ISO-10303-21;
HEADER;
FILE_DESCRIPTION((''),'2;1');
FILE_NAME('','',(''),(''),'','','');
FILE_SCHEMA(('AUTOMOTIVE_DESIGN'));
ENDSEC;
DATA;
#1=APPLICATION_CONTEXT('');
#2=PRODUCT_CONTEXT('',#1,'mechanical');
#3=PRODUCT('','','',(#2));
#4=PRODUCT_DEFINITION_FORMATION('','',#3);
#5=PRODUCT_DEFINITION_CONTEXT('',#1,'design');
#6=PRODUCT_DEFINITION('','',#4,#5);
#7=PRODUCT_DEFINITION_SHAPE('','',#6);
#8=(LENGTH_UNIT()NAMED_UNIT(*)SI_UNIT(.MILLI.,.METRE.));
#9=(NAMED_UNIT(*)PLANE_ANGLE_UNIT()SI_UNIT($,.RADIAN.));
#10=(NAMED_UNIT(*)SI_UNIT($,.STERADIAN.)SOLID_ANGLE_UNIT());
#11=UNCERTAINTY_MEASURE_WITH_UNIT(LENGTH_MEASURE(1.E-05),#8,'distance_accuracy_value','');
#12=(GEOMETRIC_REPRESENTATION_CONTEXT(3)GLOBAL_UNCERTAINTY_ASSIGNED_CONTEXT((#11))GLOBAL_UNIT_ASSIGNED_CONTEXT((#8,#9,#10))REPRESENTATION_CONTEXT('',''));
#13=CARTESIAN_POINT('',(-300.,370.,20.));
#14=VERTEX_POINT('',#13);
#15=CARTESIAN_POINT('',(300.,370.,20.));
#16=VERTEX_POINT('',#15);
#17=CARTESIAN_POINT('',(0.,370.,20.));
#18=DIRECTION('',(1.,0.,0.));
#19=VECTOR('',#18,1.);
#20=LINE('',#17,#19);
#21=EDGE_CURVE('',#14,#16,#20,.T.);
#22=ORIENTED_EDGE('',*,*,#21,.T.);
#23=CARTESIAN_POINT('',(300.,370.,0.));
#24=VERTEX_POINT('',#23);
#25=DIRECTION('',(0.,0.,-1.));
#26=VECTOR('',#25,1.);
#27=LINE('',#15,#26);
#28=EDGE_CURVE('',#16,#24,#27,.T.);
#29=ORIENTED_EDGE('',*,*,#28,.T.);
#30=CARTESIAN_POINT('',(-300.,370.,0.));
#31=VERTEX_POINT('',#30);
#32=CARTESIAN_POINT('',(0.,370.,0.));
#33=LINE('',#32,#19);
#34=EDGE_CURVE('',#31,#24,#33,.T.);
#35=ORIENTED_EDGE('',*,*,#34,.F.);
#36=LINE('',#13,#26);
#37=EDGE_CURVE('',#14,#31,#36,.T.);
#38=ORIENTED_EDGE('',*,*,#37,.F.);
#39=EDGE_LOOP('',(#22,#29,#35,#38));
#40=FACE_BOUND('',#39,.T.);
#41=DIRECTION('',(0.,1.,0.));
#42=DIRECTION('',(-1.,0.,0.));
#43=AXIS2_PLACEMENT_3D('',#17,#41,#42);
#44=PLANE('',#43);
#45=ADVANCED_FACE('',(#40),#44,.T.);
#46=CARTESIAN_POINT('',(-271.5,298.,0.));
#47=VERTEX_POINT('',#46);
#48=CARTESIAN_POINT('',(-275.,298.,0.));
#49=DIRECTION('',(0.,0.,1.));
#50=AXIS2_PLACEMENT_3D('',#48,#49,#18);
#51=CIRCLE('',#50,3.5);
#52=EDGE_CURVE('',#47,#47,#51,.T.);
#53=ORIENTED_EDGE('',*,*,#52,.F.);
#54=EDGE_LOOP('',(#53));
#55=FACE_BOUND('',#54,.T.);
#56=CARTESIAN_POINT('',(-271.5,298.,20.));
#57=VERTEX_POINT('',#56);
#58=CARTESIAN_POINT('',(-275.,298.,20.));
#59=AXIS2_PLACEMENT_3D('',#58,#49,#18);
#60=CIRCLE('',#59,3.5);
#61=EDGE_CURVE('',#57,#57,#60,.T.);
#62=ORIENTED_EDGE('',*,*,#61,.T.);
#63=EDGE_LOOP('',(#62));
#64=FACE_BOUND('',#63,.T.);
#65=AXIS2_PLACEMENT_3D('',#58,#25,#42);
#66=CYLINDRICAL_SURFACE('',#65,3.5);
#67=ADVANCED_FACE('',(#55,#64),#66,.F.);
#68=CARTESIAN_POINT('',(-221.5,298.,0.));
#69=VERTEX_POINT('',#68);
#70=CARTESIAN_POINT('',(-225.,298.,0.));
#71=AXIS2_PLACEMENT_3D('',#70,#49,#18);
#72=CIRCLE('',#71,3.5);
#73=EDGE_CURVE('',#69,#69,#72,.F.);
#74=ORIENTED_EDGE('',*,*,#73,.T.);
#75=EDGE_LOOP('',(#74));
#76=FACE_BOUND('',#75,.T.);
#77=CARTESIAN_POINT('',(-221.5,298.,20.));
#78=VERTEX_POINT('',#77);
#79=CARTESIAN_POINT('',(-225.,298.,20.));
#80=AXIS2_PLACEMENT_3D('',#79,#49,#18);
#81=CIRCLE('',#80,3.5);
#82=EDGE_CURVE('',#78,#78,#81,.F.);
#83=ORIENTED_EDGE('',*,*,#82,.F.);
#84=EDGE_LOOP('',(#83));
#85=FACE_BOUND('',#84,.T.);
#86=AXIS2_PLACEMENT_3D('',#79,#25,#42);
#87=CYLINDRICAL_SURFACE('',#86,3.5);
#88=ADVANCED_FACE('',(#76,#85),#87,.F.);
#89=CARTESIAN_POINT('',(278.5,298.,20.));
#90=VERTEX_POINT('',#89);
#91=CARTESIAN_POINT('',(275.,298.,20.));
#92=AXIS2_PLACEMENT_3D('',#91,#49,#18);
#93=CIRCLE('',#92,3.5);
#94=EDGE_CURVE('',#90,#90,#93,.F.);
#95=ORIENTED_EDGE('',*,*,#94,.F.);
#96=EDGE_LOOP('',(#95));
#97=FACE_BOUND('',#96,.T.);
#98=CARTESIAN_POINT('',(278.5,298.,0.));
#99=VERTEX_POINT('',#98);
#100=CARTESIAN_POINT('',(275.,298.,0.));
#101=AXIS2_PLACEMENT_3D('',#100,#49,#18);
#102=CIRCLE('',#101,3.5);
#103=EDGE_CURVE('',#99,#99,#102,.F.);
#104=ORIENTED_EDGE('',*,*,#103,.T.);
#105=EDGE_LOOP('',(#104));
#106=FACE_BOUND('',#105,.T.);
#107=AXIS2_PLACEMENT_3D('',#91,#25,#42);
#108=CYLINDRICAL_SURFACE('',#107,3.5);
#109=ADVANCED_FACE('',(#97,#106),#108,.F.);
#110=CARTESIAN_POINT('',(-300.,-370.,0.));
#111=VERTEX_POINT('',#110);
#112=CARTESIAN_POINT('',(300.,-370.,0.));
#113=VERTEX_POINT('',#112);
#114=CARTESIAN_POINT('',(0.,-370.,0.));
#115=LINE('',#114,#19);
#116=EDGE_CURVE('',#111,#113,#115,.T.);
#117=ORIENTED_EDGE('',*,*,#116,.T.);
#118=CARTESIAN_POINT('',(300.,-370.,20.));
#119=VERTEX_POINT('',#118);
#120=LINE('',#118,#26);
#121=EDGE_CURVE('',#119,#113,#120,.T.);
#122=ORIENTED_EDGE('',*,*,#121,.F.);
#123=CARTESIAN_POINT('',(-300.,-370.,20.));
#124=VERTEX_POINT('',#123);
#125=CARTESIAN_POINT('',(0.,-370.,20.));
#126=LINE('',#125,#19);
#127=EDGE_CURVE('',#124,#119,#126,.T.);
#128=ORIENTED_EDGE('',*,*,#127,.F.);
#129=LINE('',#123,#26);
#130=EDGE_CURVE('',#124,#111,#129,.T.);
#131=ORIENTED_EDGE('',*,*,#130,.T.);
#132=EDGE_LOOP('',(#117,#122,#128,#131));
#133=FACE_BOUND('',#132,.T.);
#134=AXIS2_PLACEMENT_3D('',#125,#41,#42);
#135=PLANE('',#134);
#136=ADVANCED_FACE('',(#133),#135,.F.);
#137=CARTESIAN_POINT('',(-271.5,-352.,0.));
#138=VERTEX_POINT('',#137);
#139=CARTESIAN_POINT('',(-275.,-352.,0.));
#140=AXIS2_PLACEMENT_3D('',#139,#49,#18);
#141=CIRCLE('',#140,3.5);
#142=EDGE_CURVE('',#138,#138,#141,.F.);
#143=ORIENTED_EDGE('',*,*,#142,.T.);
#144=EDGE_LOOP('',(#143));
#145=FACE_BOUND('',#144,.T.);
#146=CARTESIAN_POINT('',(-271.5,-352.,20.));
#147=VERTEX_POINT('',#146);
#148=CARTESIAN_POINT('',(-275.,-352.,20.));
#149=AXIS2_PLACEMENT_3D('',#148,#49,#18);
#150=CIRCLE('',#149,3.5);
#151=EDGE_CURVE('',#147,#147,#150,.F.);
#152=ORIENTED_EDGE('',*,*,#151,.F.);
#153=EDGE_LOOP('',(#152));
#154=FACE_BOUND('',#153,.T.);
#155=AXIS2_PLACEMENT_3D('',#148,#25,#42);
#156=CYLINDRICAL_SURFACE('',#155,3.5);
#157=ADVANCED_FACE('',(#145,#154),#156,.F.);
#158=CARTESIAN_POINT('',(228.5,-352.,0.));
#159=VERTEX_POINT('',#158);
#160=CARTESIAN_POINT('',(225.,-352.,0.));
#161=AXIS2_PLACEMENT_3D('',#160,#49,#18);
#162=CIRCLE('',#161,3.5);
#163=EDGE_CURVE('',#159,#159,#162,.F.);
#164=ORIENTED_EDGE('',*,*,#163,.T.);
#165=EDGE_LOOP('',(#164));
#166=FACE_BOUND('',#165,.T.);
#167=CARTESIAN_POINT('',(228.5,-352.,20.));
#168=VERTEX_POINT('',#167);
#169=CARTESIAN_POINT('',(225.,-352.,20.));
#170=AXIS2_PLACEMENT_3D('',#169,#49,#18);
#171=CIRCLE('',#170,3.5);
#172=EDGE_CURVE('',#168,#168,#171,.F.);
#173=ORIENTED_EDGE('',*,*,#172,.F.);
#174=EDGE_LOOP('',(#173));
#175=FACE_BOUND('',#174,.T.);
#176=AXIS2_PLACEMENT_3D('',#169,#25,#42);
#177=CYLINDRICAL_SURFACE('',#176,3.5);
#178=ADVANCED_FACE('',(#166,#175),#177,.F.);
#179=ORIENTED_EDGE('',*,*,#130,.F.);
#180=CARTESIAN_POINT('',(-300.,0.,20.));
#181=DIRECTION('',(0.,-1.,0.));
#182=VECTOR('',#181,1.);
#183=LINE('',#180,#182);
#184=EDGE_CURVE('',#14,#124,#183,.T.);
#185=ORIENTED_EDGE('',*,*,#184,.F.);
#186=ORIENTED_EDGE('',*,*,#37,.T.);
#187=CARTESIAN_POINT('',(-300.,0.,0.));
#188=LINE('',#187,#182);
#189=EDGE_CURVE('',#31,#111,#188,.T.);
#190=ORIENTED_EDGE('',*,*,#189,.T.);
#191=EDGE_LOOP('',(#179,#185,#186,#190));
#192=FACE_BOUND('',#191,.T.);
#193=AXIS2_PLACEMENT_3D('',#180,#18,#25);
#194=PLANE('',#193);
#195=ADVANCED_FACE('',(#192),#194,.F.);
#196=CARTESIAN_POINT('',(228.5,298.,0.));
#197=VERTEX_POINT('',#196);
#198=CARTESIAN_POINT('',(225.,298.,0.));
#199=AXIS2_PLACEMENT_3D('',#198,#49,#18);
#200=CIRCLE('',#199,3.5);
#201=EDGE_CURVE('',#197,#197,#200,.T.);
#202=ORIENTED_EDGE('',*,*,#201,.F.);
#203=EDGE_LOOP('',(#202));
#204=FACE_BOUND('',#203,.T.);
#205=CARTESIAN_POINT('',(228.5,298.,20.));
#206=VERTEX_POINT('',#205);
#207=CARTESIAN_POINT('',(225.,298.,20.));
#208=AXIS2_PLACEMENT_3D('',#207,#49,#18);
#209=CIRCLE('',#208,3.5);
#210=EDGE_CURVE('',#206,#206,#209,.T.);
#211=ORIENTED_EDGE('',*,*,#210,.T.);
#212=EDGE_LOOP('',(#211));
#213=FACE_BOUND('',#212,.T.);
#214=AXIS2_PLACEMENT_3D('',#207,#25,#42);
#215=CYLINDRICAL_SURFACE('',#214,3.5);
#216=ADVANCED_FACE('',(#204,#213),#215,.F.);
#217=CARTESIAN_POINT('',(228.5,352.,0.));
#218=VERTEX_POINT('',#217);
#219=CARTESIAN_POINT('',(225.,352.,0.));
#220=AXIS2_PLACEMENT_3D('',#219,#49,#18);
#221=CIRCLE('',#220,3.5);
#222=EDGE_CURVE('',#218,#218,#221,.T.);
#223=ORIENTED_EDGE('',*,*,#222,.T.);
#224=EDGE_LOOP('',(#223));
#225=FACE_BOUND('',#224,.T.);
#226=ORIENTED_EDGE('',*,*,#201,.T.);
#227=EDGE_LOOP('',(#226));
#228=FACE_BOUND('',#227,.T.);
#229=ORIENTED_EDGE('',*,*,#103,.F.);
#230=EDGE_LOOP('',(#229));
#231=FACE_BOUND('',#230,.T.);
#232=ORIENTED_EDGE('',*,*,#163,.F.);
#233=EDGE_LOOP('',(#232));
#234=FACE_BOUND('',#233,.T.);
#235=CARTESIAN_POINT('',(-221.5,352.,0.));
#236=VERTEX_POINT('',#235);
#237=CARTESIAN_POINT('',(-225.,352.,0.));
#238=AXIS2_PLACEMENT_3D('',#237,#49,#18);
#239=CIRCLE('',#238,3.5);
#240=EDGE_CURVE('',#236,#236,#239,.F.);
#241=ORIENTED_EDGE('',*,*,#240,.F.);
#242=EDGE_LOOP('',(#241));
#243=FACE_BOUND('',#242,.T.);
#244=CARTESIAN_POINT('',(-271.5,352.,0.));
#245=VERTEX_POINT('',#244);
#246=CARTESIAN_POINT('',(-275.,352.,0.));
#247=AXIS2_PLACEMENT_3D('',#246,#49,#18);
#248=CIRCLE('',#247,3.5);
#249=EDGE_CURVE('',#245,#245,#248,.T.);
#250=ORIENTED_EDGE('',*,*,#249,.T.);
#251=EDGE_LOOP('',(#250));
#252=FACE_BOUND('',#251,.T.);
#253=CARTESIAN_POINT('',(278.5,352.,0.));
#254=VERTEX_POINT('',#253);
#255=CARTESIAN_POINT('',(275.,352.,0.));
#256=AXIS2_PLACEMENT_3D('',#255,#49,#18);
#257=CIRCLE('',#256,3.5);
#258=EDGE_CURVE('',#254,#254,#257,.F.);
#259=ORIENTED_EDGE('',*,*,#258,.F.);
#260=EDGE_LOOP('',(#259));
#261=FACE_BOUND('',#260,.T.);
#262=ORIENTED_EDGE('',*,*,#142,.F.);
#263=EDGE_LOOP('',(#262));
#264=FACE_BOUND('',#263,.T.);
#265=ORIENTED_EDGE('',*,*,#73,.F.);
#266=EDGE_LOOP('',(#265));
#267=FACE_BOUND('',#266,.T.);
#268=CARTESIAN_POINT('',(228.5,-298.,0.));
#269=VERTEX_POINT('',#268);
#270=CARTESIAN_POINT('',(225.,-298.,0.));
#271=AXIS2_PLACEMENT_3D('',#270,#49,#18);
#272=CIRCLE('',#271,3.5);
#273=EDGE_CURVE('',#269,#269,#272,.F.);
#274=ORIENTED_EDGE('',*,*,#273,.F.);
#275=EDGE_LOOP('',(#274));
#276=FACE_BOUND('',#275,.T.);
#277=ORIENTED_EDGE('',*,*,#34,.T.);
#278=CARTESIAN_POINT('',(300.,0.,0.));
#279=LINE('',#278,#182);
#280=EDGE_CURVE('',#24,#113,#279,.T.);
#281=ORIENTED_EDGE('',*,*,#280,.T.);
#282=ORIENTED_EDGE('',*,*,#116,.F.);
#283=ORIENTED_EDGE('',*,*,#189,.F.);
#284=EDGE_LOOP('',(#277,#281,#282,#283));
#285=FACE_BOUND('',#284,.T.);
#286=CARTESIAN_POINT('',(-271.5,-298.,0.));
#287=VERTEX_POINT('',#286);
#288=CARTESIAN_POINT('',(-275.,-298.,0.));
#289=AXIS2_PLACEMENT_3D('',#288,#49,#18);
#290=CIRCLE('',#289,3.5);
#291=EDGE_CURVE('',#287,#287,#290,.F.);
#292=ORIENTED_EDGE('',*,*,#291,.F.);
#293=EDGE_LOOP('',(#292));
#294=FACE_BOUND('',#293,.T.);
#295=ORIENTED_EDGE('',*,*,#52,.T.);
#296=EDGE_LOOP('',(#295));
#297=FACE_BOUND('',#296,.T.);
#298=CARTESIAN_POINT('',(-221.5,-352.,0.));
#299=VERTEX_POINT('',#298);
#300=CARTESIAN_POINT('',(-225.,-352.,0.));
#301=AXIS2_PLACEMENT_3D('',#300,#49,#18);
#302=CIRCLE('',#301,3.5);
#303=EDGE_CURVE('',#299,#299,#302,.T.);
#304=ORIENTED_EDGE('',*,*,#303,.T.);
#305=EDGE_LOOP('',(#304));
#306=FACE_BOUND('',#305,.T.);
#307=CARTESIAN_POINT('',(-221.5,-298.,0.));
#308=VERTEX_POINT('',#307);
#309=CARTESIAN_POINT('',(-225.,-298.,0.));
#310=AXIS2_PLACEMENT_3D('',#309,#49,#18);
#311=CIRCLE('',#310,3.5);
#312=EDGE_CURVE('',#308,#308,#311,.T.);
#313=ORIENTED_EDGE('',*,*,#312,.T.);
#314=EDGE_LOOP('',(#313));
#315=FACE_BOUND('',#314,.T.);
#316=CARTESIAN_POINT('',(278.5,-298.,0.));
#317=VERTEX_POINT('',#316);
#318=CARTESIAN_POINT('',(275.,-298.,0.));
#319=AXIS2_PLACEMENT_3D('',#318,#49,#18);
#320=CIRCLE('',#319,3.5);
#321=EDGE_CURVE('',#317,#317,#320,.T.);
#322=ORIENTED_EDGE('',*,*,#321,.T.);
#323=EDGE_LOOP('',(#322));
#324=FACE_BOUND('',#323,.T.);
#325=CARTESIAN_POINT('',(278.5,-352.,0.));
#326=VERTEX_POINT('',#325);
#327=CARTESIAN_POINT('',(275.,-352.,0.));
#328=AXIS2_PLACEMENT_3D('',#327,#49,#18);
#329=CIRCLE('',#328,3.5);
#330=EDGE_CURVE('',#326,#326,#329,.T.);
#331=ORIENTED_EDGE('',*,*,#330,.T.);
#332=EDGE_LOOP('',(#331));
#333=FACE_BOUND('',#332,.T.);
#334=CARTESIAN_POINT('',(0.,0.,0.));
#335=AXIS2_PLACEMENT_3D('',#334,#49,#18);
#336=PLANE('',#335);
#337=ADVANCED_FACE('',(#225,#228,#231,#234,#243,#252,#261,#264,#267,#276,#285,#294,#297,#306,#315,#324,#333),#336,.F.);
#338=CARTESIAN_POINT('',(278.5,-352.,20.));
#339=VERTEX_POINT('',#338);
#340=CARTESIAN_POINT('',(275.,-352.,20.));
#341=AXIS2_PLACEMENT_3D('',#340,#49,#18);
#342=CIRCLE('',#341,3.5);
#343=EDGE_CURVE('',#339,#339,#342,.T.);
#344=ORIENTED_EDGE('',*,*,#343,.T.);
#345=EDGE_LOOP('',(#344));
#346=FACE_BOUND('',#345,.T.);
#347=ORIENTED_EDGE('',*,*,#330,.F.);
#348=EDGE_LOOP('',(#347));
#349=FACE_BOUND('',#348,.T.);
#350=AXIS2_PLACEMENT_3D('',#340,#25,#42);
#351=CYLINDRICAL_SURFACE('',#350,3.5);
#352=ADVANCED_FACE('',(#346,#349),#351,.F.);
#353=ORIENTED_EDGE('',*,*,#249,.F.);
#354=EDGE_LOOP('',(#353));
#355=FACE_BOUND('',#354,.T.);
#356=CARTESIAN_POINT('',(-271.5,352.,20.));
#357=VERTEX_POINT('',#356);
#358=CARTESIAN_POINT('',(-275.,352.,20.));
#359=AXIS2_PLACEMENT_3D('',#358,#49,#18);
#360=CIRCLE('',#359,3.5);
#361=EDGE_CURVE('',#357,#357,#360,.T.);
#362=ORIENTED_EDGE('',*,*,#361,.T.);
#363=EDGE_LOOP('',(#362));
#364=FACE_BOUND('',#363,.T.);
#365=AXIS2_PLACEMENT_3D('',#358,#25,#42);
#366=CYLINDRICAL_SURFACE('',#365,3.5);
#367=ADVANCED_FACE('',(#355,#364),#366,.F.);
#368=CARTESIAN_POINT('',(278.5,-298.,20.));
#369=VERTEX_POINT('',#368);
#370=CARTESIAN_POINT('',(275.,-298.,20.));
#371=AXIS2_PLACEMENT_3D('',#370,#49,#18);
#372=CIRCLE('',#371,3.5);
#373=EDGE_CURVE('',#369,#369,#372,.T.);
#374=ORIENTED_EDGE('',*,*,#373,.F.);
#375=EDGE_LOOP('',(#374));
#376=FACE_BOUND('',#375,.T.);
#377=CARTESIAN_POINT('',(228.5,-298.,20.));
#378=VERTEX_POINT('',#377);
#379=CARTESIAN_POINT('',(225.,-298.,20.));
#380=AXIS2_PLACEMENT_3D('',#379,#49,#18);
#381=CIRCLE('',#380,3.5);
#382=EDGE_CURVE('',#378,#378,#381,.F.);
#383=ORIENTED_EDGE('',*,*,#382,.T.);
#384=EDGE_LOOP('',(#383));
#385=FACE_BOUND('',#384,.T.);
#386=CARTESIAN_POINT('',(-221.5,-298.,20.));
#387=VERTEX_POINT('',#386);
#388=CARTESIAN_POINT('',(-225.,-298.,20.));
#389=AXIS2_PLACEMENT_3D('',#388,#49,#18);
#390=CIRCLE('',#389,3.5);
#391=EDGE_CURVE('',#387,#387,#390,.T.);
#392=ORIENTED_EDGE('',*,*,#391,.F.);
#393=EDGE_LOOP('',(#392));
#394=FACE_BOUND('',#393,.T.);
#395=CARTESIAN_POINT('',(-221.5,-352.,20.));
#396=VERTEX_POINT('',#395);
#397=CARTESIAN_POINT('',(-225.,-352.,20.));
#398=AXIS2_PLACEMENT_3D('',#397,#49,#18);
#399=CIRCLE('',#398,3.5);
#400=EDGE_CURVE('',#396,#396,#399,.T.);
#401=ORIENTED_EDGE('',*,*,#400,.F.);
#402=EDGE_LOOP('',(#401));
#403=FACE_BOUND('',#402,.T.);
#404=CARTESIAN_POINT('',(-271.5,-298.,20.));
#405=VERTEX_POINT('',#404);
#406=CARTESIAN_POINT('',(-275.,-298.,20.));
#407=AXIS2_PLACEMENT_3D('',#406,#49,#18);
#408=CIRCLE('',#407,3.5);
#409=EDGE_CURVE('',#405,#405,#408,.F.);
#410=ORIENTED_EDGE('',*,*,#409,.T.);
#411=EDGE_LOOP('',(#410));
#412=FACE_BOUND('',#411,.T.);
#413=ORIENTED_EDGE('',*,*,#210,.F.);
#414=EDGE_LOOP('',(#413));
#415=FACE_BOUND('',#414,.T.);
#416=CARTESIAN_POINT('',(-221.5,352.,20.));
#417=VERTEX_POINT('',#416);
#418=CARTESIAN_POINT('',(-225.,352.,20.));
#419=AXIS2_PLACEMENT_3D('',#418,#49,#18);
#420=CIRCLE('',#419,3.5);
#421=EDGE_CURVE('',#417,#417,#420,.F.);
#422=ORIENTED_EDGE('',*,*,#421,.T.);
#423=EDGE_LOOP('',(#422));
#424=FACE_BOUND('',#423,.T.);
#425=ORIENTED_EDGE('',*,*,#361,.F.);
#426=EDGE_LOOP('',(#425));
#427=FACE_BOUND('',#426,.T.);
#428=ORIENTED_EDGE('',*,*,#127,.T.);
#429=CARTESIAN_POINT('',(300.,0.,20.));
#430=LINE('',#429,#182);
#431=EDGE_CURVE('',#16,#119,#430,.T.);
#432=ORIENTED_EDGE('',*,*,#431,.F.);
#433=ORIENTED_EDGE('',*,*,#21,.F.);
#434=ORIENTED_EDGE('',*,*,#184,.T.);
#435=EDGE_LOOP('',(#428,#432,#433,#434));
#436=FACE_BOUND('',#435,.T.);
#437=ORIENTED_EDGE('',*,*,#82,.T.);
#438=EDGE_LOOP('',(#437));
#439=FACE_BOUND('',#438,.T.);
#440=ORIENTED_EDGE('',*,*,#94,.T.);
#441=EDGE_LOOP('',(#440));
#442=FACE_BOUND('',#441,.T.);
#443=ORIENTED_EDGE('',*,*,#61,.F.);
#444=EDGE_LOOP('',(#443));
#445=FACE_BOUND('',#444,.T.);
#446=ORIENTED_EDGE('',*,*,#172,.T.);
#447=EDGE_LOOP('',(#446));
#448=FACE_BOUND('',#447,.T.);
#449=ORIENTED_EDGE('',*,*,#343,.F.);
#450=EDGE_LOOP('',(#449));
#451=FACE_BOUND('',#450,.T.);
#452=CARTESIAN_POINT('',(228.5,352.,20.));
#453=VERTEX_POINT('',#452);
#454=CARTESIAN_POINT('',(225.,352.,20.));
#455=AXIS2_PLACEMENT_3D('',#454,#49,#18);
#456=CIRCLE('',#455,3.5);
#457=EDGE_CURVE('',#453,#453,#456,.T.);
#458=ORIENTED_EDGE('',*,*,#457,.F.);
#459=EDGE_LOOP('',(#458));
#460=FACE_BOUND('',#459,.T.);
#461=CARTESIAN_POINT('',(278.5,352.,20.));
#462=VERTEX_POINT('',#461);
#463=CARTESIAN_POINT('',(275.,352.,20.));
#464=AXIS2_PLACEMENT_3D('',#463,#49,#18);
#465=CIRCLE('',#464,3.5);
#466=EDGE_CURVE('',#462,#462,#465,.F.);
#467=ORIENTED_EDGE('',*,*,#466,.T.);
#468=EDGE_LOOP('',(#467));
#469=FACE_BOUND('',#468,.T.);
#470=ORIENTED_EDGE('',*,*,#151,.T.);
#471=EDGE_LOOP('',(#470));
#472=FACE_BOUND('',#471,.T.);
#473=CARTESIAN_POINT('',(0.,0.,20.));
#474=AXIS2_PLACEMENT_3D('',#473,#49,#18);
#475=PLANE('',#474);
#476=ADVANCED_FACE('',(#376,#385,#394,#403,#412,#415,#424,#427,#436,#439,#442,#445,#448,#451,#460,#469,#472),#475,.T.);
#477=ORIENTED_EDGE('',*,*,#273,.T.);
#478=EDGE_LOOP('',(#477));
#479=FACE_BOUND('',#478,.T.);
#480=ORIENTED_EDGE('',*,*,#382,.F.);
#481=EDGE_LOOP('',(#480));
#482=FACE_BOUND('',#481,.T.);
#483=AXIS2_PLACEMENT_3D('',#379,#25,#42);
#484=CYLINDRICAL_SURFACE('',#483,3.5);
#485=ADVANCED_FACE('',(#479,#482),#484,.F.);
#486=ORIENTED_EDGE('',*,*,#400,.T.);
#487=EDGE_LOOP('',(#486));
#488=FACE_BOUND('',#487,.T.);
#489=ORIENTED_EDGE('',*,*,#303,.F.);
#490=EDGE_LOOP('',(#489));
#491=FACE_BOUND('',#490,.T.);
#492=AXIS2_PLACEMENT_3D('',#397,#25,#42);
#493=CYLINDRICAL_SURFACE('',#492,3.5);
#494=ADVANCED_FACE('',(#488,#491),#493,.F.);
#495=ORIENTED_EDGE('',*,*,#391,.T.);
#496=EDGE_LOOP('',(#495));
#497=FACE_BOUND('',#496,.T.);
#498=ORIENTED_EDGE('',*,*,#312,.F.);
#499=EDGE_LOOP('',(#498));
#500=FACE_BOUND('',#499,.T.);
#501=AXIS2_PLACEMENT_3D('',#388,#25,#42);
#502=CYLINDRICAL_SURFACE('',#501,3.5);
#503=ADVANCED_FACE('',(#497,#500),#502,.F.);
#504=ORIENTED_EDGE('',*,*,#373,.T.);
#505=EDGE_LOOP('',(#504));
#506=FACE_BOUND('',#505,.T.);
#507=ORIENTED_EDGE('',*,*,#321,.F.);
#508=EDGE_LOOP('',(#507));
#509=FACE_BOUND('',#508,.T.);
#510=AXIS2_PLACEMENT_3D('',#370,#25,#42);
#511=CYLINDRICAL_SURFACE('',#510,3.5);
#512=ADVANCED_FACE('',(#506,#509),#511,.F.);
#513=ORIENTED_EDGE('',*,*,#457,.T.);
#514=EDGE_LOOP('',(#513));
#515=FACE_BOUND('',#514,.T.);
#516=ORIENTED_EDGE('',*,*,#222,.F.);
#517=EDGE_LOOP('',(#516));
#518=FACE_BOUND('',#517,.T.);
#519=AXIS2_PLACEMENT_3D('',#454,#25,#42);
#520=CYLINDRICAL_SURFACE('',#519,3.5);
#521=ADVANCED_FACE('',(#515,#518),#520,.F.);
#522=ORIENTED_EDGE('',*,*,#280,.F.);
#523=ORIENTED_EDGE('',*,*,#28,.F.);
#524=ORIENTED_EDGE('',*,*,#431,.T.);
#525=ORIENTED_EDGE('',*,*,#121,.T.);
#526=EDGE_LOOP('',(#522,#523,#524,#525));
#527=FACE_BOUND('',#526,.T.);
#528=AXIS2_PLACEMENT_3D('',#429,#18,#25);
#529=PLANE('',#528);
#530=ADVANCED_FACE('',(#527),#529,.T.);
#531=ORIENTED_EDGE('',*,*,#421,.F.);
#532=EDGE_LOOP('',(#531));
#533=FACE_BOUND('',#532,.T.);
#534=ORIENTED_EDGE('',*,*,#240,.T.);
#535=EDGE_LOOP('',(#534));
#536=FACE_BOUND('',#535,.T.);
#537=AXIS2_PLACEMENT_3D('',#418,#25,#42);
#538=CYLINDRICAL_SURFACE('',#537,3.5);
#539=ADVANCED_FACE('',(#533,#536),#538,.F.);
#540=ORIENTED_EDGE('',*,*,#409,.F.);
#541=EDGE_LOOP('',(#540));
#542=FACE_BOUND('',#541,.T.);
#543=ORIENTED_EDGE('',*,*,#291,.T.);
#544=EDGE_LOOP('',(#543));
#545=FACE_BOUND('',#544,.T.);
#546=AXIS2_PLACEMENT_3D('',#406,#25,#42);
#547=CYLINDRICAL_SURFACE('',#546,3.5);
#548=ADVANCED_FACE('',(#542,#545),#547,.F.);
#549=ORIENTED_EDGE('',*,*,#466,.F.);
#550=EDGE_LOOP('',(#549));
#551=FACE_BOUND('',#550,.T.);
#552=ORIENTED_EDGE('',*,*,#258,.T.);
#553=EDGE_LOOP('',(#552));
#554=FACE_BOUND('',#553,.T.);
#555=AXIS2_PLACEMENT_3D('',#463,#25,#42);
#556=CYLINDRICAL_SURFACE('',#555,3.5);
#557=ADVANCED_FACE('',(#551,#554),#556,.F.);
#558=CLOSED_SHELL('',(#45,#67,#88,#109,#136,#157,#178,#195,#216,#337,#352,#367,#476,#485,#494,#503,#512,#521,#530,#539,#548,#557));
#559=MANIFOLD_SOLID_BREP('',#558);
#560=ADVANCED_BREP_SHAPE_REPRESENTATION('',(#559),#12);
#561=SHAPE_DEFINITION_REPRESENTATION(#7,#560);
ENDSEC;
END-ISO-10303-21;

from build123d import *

# Parameters (mm, degrees)
SKETCH_1_W      = 600
SKETCH_1_H      = 740
SKETCH_1_R      = 3.5
EXTRUDE_1_DEPTH = 20


with BuildPart() as part:
    # Эскиз1 → Бобышка-Вытянуть1 (new body)
    with BuildSketch(Plane.XY):
        Rectangle(SKETCH_1_W, SKETCH_1_H)
        with Locations((275, -298)):
            Circle(SKETCH_1_R, mode=Mode.SUBTRACT)
        with Locations((275, -352)):
            Circle(SKETCH_1_R, mode=Mode.SUBTRACT)
        with Locations((225, -298)):
            Circle(SKETCH_1_R, mode=Mode.SUBTRACT)
        with Locations((-225, -298)):
            Circle(SKETCH_1_R, mode=Mode.SUBTRACT)
        with Locations((-225, -352)):
            Circle(SKETCH_1_R, mode=Mode.SUBTRACT)
        with Locations((-275, -298)):
            Circle(SKETCH_1_R, mode=Mode.SUBTRACT)
        with Locations((275, 298)):
            Circle(SKETCH_1_R, mode=Mode.SUBTRACT)
        with Locations((225, 298)):
            Circle(SKETCH_1_R, mode=Mode.SUBTRACT)
        with Locations((225, 352)):
            Circle(SKETCH_1_R, mode=Mode.SUBTRACT)
        with Locations((-225, 298)):
            Circle(SKETCH_1_R, mode=Mode.SUBTRACT)
        with Locations((-275, 298)):
            Circle(SKETCH_1_R, mode=Mode.SUBTRACT)
        with Locations((-275, 352)):
            Circle(SKETCH_1_R, mode=Mode.SUBTRACT)
        with Locations((-225, 352)):
            Circle(SKETCH_1_R, mode=Mode.SUBTRACT)
        with Locations((275, 352)):
            Circle(SKETCH_1_R, mode=Mode.SUBTRACT)
        with Locations((-275, -352)):
            Circle(SKETCH_1_R, mode=Mode.SUBTRACT)
        with Locations((225, -352)):
            Circle(SKETCH_1_R, mode=Mode.SUBTRACT)
    extrude(amount=EXTRUDE_1_DEPTH)


solid = part.part
